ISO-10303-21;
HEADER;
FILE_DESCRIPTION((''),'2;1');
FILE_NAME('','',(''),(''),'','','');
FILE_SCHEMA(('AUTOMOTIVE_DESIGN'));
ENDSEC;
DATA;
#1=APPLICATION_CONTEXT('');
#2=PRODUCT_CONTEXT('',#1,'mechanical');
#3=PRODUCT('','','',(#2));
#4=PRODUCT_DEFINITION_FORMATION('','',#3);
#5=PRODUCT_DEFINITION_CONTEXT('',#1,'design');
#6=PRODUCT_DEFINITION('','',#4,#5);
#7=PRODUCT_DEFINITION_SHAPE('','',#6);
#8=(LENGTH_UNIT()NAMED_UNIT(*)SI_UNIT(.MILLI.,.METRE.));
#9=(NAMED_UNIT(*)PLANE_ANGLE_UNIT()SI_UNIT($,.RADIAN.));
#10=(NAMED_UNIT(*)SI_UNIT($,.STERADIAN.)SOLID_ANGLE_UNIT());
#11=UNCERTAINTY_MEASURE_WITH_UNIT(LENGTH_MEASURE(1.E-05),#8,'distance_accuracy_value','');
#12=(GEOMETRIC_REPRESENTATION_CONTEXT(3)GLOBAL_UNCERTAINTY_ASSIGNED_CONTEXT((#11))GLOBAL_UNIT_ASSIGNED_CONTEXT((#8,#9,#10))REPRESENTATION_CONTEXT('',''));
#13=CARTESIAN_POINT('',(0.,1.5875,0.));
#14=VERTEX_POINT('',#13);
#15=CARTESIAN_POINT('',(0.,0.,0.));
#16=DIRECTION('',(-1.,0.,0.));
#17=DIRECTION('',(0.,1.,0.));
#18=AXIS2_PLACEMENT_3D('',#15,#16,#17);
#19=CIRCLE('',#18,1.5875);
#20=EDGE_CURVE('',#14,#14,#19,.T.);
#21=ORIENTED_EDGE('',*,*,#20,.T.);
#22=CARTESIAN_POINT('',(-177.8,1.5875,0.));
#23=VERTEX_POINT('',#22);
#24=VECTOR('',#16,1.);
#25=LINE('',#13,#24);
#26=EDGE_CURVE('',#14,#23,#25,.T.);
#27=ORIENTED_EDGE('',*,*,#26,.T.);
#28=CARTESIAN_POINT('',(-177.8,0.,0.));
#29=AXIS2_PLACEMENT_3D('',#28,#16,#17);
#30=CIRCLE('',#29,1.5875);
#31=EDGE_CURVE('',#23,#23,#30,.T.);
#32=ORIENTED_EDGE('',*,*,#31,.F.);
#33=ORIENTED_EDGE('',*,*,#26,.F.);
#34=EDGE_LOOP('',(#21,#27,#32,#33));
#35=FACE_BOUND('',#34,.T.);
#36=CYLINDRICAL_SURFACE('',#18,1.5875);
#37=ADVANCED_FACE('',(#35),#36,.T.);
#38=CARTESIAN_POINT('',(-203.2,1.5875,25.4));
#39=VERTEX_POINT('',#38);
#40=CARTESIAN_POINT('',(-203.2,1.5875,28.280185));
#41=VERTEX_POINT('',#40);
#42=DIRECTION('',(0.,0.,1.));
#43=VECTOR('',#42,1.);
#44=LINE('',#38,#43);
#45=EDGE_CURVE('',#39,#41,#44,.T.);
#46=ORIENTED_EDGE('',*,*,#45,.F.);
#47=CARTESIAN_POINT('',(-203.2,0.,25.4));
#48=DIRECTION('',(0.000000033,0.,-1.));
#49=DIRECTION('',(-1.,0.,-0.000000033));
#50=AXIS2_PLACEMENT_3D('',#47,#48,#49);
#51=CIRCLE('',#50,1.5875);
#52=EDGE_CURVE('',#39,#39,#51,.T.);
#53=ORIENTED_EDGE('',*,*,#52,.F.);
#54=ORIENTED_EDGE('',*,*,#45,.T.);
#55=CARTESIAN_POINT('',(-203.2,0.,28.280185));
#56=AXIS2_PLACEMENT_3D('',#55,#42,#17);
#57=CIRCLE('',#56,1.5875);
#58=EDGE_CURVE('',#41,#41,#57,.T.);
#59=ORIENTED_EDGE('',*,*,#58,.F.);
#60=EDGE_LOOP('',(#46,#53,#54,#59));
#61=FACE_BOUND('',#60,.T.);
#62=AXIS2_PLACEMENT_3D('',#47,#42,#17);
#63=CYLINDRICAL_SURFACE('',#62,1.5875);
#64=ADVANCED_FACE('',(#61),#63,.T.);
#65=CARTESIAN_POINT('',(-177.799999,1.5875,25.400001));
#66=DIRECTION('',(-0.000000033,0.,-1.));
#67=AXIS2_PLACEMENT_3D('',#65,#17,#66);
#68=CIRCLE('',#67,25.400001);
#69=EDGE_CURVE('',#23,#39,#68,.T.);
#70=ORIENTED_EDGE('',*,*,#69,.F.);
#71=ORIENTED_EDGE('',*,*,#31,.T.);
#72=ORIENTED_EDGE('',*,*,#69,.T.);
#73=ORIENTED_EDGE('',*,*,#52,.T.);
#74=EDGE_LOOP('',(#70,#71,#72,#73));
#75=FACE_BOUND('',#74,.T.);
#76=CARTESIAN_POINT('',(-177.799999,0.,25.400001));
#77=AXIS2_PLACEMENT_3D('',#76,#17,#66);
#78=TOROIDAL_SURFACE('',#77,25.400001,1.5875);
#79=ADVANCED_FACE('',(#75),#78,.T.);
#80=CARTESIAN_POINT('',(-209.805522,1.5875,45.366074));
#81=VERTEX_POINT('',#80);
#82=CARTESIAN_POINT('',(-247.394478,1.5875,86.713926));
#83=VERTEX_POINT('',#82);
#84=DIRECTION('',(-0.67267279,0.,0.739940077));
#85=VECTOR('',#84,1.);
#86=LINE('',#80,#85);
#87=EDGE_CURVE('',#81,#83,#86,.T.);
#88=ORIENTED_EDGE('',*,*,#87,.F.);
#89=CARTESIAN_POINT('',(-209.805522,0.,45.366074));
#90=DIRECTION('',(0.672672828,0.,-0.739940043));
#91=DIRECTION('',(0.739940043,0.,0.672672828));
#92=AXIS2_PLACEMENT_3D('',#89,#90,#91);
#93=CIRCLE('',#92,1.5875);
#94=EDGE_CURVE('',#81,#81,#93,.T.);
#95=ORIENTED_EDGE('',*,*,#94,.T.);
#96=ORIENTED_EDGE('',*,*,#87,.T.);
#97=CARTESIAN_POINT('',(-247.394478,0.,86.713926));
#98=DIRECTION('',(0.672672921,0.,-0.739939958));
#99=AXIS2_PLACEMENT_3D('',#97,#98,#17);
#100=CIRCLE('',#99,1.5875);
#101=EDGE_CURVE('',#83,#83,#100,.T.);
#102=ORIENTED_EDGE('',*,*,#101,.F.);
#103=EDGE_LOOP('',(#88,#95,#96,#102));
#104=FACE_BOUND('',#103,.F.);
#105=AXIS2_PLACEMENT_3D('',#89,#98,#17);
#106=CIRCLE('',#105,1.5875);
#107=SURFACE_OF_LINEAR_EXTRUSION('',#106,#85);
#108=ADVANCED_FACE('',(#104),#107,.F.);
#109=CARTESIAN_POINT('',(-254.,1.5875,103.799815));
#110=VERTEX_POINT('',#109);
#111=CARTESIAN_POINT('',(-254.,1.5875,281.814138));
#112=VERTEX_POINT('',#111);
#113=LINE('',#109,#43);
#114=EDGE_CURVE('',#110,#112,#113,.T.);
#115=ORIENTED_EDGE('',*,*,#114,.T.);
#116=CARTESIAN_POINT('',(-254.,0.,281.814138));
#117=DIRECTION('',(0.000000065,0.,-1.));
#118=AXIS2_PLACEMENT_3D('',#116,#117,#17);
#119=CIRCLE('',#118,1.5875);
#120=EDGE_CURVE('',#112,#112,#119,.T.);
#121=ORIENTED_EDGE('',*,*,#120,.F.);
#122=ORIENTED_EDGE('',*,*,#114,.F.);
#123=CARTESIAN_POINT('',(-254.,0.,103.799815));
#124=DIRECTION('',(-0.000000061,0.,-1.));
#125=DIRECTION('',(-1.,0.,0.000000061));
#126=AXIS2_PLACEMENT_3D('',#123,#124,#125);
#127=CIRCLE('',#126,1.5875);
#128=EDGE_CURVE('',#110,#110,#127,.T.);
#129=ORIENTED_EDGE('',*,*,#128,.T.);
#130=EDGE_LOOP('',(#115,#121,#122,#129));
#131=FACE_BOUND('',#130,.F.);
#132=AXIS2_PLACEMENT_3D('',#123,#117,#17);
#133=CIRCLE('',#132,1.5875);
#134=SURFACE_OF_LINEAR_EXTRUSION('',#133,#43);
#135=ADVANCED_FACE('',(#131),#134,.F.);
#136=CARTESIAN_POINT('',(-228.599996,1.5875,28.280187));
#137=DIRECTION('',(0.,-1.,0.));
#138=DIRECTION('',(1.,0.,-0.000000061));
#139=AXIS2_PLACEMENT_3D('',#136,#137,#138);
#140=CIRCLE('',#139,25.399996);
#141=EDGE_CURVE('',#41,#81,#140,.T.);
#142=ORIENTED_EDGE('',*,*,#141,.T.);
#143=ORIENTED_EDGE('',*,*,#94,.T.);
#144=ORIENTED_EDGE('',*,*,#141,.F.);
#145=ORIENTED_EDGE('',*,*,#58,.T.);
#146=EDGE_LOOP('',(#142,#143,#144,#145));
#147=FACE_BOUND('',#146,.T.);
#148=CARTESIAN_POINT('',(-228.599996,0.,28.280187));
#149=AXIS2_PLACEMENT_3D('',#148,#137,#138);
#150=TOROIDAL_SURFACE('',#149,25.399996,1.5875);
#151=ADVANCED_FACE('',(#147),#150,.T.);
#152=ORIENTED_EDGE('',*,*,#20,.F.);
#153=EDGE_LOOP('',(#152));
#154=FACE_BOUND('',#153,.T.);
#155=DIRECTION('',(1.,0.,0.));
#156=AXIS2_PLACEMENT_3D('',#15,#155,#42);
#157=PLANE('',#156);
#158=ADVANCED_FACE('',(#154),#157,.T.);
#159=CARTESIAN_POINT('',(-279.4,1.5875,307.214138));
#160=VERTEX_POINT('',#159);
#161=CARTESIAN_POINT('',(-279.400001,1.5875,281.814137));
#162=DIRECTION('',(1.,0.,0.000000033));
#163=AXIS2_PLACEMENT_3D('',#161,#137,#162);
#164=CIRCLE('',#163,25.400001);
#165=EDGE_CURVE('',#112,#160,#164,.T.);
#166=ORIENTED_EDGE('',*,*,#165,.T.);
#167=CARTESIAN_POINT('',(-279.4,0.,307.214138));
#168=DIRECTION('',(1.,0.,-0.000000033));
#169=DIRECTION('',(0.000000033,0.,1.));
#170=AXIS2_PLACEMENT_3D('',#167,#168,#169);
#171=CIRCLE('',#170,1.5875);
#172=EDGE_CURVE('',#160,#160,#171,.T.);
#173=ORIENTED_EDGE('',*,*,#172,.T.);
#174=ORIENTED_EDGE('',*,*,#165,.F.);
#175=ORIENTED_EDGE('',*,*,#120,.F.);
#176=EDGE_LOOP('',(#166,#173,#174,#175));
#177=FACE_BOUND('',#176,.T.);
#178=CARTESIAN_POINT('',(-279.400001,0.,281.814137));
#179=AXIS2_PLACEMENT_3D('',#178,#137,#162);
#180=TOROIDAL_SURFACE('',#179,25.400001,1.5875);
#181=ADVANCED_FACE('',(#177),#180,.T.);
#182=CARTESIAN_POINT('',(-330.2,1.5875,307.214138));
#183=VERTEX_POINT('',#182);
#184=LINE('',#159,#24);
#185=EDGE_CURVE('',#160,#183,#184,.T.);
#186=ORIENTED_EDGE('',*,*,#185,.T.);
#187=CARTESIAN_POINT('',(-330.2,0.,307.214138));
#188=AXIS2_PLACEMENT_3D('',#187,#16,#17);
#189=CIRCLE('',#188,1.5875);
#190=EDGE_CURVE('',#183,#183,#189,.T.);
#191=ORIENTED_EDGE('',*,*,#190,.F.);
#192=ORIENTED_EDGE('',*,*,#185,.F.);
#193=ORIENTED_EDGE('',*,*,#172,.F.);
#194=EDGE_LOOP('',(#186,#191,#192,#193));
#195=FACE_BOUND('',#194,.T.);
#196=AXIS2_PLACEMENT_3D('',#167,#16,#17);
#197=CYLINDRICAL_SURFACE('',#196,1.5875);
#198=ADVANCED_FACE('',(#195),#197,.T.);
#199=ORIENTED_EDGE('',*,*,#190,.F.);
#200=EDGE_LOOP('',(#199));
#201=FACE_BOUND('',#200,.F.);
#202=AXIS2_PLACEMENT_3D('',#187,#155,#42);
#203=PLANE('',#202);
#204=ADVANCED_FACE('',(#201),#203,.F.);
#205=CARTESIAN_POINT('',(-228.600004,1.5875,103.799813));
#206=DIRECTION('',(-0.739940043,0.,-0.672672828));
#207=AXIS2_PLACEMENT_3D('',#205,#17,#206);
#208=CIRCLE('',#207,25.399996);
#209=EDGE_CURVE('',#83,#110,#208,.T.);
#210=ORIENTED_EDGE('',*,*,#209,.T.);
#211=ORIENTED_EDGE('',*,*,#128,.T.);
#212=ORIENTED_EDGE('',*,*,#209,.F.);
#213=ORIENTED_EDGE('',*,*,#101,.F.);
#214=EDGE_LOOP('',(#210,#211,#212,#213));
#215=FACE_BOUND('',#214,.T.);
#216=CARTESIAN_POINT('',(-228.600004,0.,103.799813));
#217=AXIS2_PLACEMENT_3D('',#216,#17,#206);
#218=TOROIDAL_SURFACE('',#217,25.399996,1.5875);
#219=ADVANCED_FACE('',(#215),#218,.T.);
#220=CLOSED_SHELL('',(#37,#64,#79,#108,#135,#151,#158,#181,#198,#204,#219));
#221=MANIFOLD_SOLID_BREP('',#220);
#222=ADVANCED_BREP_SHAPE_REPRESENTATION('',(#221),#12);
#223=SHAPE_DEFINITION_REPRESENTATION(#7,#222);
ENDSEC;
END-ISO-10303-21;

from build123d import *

# Parameters (mm, degrees)
F1_R = 1.5875


with BuildPart() as f2:
    # F2: sweep along a path in F0
    with BuildLine(Plane.XZ) as f2_path:
        Line((0, 0), (-177.8, 0))
        ThreePointArc((-177.8, 0), (-195.760512, 7.439488), (-203.2, 25.4))
        Line((-203.2, 25.4), (-203.2, 28.280185))
        ThreePointArc((-203.2, 28.280185), (-204.908865, 37.439341), (-209.805522, 45.366074))
        Line((-209.805522, 45.366074), (-247.394478, 86.713926))
        ThreePointArc((-247.394478, 86.713926), (-252.291135, 94.640659), (-254, 103.799815))
        Line((-254, 103.799815), (-254, 281.814138))
        ThreePointArc((-254, 281.814138), (-261.439488, 299.77465), (-279.4, 307.214138))
        Line((-279.4, 307.214138), (-330.2, 307.214138))
    # F1 (on Right) → F2 (sweep)
    with BuildSketch(Plane.YZ):
        Circle(F1_R)
    sweep(path=f2_path.line)


solid = f2.part
